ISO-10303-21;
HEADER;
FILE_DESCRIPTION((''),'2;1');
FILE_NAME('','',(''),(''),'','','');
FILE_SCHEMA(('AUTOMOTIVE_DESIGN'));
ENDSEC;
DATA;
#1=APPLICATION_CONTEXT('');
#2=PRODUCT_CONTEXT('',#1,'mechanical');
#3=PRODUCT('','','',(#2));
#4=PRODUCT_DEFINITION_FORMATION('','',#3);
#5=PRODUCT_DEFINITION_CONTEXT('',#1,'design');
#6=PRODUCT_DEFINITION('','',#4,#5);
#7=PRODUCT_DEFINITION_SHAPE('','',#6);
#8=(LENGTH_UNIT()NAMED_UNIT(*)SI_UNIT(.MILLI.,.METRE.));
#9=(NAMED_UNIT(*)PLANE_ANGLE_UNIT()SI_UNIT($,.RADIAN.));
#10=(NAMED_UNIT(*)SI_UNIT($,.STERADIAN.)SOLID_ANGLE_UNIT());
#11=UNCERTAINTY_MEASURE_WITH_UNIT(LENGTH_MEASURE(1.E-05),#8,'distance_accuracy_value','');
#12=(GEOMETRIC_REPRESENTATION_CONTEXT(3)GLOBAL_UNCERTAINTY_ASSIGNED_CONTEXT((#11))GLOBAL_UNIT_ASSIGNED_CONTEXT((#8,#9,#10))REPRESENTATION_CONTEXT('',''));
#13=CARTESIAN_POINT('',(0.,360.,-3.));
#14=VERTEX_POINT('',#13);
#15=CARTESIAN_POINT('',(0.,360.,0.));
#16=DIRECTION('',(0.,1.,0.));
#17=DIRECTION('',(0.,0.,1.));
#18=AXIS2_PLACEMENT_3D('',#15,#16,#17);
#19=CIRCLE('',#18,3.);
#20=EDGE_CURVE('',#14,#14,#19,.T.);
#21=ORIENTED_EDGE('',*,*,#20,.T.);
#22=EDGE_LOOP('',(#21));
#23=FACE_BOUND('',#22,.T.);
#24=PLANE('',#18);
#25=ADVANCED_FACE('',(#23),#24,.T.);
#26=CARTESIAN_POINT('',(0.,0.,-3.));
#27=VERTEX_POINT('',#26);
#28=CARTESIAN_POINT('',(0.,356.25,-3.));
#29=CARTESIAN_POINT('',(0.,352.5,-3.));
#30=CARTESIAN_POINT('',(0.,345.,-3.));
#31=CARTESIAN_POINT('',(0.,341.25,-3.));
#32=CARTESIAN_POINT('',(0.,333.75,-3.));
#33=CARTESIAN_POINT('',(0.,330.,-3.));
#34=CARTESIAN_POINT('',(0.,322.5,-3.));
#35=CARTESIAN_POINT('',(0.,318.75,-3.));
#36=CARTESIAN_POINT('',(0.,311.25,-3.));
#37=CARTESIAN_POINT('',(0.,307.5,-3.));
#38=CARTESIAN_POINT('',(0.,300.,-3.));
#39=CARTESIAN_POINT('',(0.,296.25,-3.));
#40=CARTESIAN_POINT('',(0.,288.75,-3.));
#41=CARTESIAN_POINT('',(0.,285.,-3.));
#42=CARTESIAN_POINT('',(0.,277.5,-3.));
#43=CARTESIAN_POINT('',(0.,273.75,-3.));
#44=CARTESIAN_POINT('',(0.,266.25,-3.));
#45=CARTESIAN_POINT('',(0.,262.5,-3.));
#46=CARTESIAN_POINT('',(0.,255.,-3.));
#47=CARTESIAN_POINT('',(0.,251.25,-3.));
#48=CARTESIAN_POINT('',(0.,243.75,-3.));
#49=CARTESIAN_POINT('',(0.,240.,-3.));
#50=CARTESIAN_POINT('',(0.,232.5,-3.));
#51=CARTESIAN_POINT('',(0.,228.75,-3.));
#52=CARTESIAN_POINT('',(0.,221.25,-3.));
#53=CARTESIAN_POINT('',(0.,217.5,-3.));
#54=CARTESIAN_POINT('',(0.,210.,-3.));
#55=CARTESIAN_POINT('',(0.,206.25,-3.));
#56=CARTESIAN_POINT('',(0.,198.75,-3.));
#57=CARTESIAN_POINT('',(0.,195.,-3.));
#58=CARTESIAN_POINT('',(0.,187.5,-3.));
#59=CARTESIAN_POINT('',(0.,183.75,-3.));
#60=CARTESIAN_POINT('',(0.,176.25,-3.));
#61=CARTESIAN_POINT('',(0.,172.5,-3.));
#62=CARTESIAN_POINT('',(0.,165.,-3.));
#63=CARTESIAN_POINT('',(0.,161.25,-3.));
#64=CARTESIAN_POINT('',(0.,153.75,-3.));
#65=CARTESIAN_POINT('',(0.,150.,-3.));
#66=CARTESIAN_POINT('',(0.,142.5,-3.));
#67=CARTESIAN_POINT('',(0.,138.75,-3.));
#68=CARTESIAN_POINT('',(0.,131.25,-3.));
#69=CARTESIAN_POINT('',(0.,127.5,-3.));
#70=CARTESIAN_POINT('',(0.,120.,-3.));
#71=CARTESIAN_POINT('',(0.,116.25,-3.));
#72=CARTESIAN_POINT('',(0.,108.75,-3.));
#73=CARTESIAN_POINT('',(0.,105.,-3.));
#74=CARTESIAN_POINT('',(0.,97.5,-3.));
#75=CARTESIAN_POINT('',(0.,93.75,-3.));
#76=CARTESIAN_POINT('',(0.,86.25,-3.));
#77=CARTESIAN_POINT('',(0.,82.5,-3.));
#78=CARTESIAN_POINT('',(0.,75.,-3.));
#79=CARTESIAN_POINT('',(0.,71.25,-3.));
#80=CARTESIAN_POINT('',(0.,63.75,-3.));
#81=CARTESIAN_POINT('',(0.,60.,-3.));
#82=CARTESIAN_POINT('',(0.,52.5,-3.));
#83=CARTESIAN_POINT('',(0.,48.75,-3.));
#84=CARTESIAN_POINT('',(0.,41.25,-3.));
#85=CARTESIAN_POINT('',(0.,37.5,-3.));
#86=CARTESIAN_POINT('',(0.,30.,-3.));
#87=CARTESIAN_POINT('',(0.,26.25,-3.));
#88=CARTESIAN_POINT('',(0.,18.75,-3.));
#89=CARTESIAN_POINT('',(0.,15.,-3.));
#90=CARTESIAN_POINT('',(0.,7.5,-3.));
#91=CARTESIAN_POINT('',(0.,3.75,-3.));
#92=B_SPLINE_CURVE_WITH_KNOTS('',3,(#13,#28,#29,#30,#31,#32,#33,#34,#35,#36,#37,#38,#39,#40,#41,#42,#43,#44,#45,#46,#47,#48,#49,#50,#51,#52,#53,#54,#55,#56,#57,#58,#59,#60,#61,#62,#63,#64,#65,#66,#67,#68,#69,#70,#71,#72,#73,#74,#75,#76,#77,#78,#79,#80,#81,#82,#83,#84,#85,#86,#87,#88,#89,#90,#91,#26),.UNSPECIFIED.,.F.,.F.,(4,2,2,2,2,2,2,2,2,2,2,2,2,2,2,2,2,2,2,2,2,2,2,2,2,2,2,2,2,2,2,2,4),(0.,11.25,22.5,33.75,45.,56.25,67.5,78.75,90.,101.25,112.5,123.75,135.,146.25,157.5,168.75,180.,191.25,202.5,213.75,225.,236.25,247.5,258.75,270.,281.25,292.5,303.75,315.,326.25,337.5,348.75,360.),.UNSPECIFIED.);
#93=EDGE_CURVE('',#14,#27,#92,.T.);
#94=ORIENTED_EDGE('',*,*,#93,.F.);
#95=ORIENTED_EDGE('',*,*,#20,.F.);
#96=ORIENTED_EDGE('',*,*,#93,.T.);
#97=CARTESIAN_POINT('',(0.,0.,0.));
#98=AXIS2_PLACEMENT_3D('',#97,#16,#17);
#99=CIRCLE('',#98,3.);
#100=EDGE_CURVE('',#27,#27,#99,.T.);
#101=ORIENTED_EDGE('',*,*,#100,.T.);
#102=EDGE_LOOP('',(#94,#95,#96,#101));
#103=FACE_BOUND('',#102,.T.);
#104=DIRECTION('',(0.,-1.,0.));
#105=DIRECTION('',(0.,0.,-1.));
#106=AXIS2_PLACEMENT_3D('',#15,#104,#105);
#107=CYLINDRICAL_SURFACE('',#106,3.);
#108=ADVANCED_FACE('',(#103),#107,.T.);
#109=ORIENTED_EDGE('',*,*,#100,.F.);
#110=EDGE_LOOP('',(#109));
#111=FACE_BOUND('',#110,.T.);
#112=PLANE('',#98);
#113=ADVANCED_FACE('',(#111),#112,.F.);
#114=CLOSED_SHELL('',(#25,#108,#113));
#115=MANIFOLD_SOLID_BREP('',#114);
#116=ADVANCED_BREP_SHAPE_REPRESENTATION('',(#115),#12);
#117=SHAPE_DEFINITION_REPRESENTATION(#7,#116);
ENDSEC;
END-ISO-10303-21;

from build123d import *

# Parameters (mm, degrees)
SKETCH1_R           = 3
BOSS_EXTRUDE1_DEPTH = 360


with BuildPart() as part:
    # Sketch1 → Boss-Extrude1 (new body)
    with BuildSketch(Plane(origin=(0, 0, 0), x_dir=(1, 0, 0), z_dir=(0, 1, 0))):
        with Locations(Location((0, 0, 0), (0, 0, 90))):
            Circle(SKETCH1_R)
    extrude(amount=BOSS_EXTRUDE1_DEPTH)


solid = part.part
